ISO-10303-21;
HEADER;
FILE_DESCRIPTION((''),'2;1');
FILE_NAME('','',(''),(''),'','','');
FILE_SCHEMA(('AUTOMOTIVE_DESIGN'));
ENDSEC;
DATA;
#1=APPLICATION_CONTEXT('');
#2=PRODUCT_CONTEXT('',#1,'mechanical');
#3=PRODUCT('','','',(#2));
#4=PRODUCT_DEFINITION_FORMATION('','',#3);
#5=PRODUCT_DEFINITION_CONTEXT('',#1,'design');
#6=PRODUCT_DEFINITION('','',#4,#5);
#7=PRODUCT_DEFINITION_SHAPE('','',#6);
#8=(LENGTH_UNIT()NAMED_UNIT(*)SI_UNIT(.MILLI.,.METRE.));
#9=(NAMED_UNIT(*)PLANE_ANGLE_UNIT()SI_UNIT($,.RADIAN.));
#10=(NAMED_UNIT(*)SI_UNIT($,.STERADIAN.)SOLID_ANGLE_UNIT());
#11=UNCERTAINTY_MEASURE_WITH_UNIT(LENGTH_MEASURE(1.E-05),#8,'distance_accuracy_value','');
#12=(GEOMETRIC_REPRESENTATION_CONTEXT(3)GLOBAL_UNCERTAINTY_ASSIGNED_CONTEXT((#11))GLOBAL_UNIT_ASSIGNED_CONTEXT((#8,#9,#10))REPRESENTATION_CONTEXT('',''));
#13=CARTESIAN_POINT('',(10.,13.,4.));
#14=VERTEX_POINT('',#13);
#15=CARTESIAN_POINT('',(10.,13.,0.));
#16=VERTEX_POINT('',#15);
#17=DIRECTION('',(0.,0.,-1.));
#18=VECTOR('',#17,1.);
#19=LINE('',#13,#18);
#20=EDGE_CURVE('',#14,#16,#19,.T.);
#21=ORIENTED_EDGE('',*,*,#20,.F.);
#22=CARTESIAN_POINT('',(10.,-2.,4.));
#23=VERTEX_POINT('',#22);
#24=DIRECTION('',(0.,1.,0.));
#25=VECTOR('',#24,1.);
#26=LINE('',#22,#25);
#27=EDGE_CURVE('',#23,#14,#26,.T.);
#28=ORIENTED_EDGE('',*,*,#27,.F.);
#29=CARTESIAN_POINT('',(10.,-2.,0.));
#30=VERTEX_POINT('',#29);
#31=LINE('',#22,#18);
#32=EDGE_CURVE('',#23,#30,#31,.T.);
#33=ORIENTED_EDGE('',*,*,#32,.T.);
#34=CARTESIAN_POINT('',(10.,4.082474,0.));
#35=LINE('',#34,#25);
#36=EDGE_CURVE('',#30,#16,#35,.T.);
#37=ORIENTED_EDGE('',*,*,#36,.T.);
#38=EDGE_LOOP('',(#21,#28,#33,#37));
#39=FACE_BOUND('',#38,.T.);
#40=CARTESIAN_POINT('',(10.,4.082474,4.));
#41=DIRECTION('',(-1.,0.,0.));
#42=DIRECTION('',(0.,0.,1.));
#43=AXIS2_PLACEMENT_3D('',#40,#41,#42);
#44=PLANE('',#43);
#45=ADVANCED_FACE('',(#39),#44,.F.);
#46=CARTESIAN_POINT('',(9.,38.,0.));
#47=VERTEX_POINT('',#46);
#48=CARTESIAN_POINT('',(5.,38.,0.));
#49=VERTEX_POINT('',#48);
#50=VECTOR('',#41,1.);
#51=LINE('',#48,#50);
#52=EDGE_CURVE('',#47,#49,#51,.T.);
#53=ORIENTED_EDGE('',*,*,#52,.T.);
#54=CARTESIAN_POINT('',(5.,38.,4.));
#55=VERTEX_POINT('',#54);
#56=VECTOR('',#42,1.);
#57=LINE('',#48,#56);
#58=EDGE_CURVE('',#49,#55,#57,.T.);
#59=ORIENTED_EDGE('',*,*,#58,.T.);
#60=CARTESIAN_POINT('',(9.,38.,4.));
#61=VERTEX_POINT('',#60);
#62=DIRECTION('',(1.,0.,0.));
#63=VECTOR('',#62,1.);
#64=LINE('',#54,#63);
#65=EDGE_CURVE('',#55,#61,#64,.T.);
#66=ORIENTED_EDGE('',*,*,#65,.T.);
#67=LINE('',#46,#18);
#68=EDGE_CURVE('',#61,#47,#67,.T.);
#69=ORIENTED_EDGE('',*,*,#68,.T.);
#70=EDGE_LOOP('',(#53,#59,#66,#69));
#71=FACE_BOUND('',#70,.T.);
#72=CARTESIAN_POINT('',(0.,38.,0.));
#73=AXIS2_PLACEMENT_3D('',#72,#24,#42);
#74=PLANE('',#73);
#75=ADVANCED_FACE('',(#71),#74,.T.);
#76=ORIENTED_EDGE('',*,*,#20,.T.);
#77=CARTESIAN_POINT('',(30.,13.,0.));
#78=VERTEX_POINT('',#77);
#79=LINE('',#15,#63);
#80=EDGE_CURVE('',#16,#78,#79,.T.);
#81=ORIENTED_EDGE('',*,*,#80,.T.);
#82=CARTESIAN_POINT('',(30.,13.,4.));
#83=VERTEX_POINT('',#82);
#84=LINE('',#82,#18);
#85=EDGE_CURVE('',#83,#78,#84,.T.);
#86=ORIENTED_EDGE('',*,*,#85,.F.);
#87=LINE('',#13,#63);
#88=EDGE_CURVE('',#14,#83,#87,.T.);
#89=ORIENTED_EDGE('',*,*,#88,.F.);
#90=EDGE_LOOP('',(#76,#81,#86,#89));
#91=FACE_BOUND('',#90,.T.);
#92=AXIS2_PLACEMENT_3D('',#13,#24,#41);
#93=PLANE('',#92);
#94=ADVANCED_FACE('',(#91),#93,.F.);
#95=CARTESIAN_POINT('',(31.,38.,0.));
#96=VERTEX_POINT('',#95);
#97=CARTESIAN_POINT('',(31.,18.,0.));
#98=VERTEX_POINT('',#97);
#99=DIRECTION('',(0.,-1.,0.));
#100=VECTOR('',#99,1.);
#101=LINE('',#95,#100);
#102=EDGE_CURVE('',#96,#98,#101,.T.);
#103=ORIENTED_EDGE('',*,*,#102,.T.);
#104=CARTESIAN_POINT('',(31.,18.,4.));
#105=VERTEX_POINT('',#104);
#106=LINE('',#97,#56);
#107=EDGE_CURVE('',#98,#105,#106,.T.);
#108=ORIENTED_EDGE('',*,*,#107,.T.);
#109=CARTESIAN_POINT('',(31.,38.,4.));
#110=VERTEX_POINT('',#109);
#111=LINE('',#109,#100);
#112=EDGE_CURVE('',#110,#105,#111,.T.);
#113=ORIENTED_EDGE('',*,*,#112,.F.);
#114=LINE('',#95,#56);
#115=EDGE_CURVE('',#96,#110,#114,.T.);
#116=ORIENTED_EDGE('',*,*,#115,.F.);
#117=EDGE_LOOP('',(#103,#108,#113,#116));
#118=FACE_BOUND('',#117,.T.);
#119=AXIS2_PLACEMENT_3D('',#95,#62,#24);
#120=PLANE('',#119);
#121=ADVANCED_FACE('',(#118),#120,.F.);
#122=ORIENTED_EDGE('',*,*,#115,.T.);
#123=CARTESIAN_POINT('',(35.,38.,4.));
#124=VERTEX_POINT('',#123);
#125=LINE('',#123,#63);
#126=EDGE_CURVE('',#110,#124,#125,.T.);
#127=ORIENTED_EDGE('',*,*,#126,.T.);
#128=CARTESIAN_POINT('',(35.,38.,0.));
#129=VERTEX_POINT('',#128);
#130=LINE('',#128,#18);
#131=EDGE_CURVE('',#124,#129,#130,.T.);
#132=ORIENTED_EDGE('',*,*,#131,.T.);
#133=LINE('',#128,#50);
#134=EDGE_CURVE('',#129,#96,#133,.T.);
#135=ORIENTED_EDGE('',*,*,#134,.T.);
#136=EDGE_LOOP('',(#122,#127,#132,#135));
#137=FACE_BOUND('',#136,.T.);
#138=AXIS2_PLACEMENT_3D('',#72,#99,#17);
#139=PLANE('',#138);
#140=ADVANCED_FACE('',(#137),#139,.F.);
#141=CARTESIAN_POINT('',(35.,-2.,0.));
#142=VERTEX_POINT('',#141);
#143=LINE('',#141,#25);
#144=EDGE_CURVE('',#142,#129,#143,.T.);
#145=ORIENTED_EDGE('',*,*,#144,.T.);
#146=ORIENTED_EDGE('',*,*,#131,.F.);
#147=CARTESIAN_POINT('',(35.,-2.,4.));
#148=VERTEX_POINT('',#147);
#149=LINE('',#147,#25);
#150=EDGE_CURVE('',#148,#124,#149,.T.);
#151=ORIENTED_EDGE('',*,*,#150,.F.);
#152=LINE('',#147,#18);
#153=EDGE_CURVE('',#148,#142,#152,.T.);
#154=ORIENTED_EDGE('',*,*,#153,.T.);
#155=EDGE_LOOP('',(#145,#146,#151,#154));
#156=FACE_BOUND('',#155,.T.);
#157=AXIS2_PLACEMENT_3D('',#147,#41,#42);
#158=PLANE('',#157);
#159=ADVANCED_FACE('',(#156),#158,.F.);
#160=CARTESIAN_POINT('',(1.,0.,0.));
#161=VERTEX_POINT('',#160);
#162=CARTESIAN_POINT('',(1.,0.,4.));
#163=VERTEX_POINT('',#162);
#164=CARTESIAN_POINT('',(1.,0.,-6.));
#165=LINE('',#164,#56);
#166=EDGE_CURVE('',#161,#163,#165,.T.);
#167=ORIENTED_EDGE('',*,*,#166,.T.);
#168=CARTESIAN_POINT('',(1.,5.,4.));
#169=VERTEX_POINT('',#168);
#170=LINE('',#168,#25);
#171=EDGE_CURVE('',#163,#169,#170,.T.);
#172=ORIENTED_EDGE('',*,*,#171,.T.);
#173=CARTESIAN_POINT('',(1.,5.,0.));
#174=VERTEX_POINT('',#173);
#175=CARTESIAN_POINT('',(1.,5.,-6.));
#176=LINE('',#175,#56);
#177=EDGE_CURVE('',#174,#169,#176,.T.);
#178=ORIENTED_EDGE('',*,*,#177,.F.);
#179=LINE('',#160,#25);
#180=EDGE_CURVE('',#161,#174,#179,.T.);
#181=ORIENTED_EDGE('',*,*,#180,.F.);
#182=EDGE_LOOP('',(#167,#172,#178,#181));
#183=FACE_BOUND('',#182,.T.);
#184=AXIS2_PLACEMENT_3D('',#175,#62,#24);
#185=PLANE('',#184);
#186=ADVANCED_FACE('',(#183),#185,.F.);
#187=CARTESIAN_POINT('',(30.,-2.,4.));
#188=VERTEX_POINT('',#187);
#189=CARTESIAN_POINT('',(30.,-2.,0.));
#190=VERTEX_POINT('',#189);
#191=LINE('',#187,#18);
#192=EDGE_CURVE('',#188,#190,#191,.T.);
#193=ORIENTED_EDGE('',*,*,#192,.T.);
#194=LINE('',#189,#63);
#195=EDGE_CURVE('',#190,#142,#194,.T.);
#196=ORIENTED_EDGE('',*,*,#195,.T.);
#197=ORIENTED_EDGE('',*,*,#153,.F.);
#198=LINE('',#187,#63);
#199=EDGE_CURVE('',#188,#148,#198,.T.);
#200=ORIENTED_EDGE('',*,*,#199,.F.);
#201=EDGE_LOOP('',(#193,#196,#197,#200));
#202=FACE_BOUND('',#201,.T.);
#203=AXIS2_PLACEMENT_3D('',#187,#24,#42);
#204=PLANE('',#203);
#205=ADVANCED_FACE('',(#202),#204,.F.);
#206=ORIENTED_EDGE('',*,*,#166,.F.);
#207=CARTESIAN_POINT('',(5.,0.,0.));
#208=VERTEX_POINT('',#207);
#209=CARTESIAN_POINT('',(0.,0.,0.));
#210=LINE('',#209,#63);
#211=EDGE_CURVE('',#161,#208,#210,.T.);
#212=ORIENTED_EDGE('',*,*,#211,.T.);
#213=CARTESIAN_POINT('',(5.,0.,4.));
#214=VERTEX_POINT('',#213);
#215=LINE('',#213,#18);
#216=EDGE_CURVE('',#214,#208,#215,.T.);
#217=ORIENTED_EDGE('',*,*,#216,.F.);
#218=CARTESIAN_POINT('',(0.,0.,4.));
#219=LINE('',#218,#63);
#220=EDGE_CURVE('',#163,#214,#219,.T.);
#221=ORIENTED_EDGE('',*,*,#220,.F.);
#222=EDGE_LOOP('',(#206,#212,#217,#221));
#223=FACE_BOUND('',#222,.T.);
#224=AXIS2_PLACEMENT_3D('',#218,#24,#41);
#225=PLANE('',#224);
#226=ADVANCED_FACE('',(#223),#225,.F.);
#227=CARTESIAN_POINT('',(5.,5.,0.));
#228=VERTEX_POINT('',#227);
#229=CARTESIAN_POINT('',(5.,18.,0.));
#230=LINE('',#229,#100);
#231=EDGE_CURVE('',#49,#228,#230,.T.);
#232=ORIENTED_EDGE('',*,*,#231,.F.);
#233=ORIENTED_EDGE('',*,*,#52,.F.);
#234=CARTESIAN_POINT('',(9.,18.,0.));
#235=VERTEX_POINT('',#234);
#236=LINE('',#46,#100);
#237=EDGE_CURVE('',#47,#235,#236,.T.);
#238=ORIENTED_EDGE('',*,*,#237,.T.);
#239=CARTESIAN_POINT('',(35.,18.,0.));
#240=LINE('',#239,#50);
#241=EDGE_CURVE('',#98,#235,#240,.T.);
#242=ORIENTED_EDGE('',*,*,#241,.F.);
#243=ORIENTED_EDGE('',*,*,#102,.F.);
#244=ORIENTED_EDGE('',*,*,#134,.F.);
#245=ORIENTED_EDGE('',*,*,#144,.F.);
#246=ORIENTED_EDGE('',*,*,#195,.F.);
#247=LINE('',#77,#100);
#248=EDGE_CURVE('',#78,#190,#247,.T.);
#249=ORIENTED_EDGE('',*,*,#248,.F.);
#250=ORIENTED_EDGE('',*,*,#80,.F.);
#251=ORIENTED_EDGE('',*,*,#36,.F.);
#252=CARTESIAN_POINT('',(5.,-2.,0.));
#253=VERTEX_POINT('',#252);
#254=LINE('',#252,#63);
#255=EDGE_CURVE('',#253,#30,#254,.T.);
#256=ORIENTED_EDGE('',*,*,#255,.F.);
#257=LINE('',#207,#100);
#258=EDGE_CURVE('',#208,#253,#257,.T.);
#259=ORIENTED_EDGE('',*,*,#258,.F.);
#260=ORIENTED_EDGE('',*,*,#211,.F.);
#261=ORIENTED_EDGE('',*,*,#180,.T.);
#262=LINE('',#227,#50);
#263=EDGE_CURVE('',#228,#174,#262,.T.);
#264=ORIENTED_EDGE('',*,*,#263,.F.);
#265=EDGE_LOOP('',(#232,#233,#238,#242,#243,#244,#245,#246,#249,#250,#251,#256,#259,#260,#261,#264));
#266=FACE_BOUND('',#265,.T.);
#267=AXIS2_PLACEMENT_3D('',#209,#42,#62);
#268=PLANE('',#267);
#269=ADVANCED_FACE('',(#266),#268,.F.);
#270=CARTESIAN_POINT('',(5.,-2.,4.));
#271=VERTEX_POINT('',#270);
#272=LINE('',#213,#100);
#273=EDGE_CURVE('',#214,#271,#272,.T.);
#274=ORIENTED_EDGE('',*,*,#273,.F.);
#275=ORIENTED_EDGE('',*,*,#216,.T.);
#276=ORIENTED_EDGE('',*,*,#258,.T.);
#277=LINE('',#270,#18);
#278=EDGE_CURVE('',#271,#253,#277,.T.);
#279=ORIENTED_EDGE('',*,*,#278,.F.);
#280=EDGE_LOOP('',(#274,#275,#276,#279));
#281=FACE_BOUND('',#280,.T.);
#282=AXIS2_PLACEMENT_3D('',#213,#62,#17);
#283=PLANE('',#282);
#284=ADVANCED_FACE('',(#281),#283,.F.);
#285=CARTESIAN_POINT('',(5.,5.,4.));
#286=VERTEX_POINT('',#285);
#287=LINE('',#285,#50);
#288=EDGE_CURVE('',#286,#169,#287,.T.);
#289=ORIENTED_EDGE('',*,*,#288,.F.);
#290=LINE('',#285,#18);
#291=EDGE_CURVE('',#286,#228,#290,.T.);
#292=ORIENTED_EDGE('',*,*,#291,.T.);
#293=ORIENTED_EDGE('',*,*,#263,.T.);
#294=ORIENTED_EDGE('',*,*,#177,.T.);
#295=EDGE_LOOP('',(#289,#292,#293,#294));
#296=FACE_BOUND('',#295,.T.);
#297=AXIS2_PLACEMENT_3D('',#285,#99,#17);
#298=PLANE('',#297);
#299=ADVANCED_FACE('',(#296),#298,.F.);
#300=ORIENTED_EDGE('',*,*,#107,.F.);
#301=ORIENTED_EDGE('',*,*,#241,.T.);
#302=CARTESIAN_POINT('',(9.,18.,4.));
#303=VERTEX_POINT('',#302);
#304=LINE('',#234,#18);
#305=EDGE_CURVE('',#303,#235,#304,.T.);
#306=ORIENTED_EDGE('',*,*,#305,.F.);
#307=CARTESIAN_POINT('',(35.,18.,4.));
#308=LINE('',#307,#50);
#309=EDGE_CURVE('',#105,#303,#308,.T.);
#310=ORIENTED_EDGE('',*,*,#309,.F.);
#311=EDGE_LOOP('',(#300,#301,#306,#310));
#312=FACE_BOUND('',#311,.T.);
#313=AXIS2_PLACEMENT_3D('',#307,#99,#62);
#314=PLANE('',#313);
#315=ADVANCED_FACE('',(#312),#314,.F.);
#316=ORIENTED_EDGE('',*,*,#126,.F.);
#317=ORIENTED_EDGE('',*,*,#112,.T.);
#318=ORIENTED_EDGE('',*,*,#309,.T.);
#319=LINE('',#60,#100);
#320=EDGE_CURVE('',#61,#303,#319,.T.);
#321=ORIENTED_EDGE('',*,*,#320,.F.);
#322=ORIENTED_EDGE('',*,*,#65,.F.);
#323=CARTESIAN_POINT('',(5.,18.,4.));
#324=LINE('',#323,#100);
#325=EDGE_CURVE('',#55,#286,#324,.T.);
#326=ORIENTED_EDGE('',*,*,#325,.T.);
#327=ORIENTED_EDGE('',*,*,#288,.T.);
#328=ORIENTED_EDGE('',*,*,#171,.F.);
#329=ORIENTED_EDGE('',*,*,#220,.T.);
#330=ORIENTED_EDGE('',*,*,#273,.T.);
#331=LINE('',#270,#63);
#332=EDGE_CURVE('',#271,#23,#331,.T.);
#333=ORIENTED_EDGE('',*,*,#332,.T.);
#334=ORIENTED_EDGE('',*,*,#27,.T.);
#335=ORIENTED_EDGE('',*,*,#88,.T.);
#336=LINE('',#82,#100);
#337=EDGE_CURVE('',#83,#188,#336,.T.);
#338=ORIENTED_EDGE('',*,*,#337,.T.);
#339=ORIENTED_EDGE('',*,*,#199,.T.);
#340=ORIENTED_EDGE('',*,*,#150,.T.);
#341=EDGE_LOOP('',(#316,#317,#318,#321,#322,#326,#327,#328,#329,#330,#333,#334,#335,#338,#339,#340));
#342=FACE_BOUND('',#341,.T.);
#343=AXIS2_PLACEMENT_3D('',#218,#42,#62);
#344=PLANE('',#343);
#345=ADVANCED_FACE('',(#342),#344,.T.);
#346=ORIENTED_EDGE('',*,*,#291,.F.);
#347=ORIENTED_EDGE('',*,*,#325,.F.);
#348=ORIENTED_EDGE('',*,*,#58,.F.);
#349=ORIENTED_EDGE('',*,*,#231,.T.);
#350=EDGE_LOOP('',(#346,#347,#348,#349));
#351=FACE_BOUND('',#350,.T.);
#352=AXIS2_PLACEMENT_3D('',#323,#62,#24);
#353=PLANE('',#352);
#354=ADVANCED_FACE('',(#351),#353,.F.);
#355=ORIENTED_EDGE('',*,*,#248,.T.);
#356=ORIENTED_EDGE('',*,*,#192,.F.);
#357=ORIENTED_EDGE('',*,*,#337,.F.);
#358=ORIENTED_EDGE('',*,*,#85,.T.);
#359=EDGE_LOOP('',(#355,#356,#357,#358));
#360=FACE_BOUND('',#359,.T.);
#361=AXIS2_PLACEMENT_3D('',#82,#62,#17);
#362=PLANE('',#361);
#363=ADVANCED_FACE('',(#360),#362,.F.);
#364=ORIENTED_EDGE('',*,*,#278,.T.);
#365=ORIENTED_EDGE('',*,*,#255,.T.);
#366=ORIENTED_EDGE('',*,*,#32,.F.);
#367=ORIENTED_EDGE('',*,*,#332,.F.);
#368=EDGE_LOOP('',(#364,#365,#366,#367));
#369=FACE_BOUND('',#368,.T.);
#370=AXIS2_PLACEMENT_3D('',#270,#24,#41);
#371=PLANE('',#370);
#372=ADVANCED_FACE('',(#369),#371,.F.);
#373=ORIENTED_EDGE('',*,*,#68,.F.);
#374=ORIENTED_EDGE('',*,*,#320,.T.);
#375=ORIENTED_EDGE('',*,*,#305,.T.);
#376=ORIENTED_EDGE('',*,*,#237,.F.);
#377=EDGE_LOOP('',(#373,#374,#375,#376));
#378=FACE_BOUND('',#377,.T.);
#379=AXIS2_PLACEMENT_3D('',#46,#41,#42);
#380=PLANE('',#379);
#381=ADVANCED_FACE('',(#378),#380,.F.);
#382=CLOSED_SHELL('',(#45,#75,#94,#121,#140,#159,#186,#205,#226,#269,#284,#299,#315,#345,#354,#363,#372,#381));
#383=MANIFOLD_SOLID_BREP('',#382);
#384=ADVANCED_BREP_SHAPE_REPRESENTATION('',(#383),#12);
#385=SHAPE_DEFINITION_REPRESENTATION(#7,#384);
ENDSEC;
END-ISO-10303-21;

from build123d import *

# Parameters (mm, degrees)
P_IDAT_VYSUNUT_M1_DEPTH  = 4
SKICA2_W                 = 20
SKICA2_H                 = 4
P_IDAT_VYSUNUT_M2_DEPTH  = 15
SKICA3_W                 = 5.5
SKICA3_H                 = 3
ODEBRAT_VYSUNUT_M1_DEPTH = 15
SKICA4_W                 = 20
SKICA4_H                 = 15
ODEBRAT_VYSUNUT_M2_DEPTH = 15
SKICA5_W                 = 4
SKICA5_H                 = 4
P_IDAT_VYSUNUT_M3_DEPTH  = 20
SKICA6_W                 = 1
SKICA6_H                 = 5
ODEBRAT_VYSUNUT_M3_DEPTH = 10


with BuildPart() as part:
    # Skica1 → Přidat vysunutím1 (new body)
    with BuildSketch(Plane.XY):
        Polygon((0, 0), (5, 0), (5, -2), (10, -2), (10, 4.082474227), (10, 13), (30, 13), (30, -2), (35, -2), (35, 18), (5, 18), (5, 5), (0, 5), align=None)
    extrude(amount=P_IDAT_VYSUNUT_M1_DEPTH)

    # Skica2 → Přidat vysunutím2 (add)
    with BuildSketch(Plane(origin=(0, 18, 0), x_dir=(1, 0, 0), z_dir=(0, 1, 0))):
        with Locations((20, -2)):
            Rectangle(SKICA2_W, SKICA2_H)
    extrude(amount=P_IDAT_VYSUNUT_M2_DEPTH)

    # Skica3 → Odebrat vysunutím1 (cut)
    with BuildSketch(Plane.XY.offset(4)):
        with Locations((20, 28)):
            Rectangle(SKICA3_W, SKICA3_H)
    extrude(amount=-ODEBRAT_VYSUNUT_M1_DEPTH, mode=Mode.SUBTRACT)

    # Skica4 → Odebrat vysunutím2 (cut)
    with BuildSketch(Plane.XY.offset(4)):
        with Locations((20, 25.5)):
            Rectangle(SKICA4_W, SKICA4_H)
    extrude(amount=-ODEBRAT_VYSUNUT_M2_DEPTH, mode=Mode.SUBTRACT)

    # Skica5 → Přidat vysunutím3 (add)
    with BuildSketch(Plane(origin=(0, 18, 0), x_dir=(1, 0, 0), z_dir=(0, 1, 0))):
        with Locations((7, -2)):
            Rectangle(SKICA5_W, SKICA5_H)
        with Locations((33, -2)):
            Rectangle(SKICA5_W, SKICA5_H)
    extrude(amount=P_IDAT_VYSUNUT_M3_DEPTH)

    # Skica6 → Odebrat vysunutím3 (cut)
    with BuildSketch(Plane.XY.offset(4)):
        with Locations((0.5, 2.5)):
            Rectangle(SKICA6_W, SKICA6_H)
    extrude(amount=-ODEBRAT_VYSUNUT_M3_DEPTH, mode=Mode.SUBTRACT)


solid = part.part
